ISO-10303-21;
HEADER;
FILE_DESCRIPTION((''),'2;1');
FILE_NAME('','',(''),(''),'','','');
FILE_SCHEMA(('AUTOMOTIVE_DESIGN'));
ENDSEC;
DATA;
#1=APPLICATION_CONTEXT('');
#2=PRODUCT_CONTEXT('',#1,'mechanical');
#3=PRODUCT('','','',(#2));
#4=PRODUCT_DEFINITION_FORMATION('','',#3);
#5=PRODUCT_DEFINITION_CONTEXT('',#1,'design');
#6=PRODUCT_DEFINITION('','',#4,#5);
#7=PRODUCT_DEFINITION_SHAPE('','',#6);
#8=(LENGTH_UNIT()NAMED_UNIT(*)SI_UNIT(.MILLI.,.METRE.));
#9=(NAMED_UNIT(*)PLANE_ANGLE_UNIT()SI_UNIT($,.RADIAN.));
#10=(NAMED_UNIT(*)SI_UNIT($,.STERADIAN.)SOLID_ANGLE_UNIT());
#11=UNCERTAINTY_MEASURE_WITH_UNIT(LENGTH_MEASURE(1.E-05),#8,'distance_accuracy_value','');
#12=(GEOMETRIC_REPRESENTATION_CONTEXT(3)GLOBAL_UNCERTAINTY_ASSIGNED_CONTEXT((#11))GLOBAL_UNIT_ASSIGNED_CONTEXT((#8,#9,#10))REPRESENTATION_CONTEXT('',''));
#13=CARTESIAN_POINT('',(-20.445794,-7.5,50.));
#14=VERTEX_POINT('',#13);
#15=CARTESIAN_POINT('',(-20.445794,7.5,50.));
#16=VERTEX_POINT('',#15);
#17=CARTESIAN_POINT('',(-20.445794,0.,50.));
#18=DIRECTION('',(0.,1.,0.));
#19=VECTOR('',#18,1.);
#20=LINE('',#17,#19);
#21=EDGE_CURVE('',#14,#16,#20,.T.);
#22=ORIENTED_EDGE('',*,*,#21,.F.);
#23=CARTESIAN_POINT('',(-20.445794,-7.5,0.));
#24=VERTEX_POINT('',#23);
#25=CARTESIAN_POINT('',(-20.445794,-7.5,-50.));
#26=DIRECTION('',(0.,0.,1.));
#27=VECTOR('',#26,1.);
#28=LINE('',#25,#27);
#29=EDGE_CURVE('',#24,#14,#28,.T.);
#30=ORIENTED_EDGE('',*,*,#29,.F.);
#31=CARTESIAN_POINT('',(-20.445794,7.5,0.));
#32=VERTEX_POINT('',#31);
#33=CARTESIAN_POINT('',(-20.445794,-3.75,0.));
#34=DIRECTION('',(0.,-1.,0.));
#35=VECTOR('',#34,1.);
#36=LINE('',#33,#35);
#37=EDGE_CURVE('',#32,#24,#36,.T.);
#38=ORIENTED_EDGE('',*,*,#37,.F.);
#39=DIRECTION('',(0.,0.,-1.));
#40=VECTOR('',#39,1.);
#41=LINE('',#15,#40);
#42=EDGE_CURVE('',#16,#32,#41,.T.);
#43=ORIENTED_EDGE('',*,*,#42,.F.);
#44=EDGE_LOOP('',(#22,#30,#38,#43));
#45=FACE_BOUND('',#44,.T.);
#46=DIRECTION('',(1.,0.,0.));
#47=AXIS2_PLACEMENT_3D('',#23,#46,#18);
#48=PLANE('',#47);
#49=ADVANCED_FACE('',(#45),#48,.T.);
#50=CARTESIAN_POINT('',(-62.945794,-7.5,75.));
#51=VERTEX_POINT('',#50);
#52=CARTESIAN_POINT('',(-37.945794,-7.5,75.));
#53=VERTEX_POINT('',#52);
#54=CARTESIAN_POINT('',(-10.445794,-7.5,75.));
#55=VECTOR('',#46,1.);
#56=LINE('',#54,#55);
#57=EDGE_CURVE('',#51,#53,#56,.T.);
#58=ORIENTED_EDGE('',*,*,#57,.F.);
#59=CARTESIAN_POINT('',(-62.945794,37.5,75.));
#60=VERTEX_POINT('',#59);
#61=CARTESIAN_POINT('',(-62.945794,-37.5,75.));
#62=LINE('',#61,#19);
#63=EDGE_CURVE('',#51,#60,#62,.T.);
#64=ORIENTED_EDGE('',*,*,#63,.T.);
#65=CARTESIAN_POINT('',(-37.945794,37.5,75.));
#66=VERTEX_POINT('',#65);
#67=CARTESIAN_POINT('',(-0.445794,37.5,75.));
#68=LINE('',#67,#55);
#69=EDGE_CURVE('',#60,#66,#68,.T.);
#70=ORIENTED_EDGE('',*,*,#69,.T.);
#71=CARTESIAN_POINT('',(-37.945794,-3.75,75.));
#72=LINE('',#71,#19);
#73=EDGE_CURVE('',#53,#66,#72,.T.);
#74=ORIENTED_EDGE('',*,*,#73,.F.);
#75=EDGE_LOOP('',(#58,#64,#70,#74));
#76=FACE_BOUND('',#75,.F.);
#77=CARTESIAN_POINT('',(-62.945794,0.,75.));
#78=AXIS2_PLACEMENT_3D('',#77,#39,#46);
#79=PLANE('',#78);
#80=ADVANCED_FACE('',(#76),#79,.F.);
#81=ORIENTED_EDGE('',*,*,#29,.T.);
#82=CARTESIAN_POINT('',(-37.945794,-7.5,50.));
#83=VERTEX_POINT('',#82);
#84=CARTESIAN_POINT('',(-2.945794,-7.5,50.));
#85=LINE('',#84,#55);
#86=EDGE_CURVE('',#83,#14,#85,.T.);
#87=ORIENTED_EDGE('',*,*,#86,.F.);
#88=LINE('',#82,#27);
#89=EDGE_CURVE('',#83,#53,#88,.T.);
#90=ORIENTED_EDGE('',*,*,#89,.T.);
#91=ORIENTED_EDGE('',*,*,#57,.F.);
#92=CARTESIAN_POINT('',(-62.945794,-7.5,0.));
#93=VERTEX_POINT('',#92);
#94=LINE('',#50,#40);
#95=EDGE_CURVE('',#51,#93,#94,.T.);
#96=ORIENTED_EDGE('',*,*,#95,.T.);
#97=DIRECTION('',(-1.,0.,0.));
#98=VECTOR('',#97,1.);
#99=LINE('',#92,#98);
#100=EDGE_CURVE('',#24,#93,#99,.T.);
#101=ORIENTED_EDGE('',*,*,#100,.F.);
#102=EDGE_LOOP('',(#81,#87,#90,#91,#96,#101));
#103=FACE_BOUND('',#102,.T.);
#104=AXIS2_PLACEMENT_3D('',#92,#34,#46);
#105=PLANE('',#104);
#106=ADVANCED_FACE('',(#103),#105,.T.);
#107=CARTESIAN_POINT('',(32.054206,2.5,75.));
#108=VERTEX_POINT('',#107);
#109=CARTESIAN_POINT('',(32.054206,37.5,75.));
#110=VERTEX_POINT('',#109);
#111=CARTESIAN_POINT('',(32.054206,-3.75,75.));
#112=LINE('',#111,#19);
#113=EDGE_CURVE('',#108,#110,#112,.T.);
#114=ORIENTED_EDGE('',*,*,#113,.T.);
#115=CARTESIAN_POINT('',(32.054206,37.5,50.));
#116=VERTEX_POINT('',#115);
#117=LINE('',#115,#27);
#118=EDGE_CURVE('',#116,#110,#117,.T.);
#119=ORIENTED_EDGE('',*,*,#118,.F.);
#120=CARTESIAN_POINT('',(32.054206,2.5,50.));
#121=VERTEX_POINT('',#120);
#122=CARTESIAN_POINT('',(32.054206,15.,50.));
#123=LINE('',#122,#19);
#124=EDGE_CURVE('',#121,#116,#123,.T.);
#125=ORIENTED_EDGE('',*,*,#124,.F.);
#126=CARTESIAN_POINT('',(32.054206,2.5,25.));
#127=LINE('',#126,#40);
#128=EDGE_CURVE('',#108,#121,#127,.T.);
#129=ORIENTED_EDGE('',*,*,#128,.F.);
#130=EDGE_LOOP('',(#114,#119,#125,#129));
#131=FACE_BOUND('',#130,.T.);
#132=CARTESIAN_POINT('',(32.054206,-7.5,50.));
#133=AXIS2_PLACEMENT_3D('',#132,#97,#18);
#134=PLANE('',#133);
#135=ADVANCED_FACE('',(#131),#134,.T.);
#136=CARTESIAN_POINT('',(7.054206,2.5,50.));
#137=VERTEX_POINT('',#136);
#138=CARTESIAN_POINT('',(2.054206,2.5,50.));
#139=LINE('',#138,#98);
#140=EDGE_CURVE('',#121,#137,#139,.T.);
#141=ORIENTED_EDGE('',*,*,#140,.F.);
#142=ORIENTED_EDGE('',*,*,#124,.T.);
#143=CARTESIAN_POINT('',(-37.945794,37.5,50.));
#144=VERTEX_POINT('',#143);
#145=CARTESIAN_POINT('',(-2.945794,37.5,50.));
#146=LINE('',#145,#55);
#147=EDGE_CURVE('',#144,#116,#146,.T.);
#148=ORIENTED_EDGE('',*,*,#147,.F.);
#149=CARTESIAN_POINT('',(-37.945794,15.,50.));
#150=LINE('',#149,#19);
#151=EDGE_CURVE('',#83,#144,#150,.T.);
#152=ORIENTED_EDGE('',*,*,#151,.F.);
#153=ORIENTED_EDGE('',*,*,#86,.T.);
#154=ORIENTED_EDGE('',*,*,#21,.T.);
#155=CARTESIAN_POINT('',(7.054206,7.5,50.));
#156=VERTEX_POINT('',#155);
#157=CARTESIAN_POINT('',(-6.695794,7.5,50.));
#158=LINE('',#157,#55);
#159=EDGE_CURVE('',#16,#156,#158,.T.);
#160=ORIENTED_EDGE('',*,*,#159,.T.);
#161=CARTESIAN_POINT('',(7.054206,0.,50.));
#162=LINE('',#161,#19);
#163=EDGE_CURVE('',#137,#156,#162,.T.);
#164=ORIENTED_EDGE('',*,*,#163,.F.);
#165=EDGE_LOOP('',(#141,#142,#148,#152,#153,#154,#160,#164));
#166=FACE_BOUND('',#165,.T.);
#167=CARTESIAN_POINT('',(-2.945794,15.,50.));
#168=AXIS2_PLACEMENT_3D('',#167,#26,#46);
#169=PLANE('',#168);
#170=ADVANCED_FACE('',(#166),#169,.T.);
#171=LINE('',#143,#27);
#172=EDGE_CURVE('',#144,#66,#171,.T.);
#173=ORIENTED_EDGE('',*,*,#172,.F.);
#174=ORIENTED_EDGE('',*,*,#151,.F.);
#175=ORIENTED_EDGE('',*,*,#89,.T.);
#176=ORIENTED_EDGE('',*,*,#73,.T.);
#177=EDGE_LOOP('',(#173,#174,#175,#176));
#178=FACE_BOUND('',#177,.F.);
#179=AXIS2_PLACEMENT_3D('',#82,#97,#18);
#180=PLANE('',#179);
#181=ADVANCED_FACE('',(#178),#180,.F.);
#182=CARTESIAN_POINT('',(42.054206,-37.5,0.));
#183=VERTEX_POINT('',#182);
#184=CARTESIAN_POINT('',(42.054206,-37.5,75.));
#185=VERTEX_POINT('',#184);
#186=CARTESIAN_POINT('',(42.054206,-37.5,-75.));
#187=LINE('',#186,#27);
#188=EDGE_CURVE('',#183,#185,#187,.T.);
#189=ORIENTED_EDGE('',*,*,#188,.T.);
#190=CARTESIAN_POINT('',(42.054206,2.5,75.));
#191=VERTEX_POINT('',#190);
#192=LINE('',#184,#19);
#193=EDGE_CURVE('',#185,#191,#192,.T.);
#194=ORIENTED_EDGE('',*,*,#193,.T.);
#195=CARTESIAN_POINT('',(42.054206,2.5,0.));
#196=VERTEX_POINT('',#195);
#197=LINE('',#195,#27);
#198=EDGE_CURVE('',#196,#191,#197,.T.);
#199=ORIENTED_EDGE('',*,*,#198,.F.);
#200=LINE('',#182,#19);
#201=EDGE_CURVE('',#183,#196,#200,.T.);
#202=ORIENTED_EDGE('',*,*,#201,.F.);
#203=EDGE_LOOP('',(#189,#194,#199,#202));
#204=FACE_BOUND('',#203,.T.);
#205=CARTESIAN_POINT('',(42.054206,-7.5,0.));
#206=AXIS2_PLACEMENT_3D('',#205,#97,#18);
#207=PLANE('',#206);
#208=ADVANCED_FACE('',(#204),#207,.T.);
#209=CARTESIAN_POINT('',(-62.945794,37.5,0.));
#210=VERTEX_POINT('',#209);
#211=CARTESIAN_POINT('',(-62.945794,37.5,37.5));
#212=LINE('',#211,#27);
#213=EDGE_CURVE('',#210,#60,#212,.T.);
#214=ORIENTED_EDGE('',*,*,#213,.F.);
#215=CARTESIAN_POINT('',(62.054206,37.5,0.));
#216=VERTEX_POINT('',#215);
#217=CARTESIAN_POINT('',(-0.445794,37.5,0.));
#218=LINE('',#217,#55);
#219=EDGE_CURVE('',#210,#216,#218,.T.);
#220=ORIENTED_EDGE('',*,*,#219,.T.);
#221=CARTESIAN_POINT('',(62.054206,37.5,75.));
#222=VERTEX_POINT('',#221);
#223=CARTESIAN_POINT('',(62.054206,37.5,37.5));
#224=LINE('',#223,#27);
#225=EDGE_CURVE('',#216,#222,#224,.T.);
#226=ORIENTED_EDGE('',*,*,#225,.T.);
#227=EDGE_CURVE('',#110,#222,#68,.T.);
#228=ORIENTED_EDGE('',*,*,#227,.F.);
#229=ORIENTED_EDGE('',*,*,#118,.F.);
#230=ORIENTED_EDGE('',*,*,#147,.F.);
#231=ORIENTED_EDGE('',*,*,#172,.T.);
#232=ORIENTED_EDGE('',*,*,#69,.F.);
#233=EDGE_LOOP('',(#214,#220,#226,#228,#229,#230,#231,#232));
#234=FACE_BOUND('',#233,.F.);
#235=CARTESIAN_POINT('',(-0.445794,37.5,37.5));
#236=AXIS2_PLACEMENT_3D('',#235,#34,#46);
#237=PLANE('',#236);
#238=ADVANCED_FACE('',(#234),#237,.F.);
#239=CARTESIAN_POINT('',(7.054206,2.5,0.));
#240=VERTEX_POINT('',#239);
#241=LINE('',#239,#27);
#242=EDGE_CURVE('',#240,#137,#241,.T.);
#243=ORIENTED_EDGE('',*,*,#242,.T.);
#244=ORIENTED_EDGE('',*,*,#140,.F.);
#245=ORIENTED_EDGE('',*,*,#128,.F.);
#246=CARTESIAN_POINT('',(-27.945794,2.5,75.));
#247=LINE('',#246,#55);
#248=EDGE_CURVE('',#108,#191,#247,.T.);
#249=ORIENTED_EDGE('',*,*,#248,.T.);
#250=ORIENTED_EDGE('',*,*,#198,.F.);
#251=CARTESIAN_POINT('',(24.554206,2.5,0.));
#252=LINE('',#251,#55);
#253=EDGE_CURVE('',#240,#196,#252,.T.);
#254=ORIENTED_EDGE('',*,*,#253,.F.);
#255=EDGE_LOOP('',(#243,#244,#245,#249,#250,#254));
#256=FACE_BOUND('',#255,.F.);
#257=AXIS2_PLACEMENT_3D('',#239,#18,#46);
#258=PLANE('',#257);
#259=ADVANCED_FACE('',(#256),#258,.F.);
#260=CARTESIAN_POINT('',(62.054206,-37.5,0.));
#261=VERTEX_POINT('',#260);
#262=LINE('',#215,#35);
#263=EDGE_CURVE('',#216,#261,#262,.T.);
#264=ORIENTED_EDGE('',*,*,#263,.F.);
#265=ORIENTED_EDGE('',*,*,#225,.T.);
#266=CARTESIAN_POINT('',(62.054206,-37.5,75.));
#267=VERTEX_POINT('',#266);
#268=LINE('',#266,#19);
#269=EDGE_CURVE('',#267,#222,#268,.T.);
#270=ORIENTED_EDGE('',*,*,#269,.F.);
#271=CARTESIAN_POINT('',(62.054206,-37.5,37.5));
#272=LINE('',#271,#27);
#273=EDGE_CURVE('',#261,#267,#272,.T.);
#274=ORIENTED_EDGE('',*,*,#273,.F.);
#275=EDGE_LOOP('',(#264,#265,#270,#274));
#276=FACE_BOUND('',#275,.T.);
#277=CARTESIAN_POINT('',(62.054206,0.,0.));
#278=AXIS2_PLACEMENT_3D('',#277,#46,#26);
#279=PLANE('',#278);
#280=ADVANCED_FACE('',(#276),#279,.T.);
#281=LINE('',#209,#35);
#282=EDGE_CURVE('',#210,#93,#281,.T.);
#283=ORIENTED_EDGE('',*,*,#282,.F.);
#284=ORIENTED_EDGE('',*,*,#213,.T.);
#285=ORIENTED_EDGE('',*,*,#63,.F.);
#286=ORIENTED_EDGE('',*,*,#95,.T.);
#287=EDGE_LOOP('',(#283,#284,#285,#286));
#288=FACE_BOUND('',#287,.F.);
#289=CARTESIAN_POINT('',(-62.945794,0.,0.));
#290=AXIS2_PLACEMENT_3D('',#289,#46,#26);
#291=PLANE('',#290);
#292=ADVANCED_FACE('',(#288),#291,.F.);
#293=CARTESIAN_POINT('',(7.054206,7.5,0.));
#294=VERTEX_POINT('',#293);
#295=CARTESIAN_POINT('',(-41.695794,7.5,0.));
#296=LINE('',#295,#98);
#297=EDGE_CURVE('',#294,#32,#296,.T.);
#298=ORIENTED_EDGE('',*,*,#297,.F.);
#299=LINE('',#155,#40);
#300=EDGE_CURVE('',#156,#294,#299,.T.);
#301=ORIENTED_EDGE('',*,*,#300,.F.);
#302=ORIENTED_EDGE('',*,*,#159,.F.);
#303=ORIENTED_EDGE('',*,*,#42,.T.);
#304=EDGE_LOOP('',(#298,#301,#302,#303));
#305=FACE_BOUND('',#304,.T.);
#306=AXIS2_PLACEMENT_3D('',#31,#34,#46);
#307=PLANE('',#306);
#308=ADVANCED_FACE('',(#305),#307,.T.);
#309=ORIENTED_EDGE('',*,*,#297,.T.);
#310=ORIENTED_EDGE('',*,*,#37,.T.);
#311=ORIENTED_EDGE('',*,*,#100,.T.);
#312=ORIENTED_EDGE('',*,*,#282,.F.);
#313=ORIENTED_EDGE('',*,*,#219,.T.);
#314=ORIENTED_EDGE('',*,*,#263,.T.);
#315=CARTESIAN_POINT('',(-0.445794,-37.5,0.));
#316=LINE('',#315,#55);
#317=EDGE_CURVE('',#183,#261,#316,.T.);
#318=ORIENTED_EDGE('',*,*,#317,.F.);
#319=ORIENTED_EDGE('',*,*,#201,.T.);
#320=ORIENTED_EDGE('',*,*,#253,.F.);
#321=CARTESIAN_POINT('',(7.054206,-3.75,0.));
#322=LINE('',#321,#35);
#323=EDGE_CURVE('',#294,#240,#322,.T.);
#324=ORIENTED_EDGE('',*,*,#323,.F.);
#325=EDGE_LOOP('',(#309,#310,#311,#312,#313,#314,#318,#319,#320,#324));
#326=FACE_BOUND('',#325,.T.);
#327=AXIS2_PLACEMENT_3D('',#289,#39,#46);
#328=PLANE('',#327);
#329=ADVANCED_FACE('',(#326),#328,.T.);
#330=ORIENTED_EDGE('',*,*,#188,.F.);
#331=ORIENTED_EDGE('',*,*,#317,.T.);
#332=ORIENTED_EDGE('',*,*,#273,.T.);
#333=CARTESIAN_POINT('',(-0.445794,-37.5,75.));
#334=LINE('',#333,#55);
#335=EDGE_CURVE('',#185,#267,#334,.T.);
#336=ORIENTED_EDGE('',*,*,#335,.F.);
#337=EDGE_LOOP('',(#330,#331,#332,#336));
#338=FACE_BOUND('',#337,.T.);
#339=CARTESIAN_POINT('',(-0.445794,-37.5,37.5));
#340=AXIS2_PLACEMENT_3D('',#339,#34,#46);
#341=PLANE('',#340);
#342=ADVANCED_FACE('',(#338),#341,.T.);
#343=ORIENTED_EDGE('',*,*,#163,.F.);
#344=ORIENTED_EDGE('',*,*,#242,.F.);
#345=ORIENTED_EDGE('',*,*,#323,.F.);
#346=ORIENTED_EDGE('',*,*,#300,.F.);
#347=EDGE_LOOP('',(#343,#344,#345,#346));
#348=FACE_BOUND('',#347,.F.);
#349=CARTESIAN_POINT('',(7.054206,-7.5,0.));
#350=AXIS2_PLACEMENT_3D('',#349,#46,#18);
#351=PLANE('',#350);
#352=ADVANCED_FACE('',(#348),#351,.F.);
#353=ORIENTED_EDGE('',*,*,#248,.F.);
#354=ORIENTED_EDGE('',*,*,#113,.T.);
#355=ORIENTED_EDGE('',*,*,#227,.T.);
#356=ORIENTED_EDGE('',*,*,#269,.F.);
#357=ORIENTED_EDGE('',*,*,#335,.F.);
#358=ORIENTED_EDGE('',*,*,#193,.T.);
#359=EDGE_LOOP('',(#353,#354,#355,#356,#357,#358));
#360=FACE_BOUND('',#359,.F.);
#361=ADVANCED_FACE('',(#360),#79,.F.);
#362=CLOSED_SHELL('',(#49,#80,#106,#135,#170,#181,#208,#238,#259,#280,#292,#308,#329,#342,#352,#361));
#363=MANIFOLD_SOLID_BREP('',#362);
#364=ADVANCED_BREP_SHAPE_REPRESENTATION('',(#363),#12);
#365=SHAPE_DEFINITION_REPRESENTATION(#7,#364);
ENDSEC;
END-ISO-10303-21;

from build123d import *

# Parameters (mm, degrees)
F0_W     = 125
F0_H     = 75
F1_DEPTH = 37.5
F2_W     = 105
F2_H     = 30
F3_DEPTH = 75
F5_START = 50
F4_W     = 70
F4_H     = 45
F5_DEPTH = 32.67132
F6_W     = 27.5
F6_H     = 15
F7_DEPTH = 50
F8_W     = 35
F8_H     = 10
F9_DEPTH = 79.66762


with BuildPart() as f1:
    # F0 (on Front) → F1 (new body, symmetric)
    with BuildSketch(Plane.XZ):
        with Locations((-0.445794413, 37.5)):
            Rectangle(F0_W, F0_H)
    extrude(amount=F1_DEPTH, both=True)

    # F2 (on Top) → F3 (cut, symmetric)
    with BuildSketch(Plane.XY):
        with Locations((-10.445794413, -22.5)):
            Rectangle(F2_W, F2_H)
    extrude(amount=F3_DEPTH, both=True, mode=Mode.SUBTRACT)

    # F4 (on Top) → F5 (cut)
    with BuildSketch(Plane.XY.offset(F5_START)):
        with Locations((-2.945794413, 15)):
            Rectangle(F4_W, F4_H)
    extrude(amount=F5_DEPTH, mode=Mode.SUBTRACT)

    # F6 (on Top) → F7 (cut, symmetric)
    with BuildSketch(Plane.XY):
        with Locations((-6.695794413, 0)):
            Rectangle(F6_W, F6_H)
    extrude(amount=F7_DEPTH, both=True, mode=Mode.SUBTRACT)

    # F8 (on Top) → F9 (cut)
    with BuildSketch(Plane.XY):
        with Locations((24.554205587, -2.5)):
            Rectangle(F8_W, F8_H)
    extrude(amount=F9_DEPTH, mode=Mode.SUBTRACT)


solid = f1.part
